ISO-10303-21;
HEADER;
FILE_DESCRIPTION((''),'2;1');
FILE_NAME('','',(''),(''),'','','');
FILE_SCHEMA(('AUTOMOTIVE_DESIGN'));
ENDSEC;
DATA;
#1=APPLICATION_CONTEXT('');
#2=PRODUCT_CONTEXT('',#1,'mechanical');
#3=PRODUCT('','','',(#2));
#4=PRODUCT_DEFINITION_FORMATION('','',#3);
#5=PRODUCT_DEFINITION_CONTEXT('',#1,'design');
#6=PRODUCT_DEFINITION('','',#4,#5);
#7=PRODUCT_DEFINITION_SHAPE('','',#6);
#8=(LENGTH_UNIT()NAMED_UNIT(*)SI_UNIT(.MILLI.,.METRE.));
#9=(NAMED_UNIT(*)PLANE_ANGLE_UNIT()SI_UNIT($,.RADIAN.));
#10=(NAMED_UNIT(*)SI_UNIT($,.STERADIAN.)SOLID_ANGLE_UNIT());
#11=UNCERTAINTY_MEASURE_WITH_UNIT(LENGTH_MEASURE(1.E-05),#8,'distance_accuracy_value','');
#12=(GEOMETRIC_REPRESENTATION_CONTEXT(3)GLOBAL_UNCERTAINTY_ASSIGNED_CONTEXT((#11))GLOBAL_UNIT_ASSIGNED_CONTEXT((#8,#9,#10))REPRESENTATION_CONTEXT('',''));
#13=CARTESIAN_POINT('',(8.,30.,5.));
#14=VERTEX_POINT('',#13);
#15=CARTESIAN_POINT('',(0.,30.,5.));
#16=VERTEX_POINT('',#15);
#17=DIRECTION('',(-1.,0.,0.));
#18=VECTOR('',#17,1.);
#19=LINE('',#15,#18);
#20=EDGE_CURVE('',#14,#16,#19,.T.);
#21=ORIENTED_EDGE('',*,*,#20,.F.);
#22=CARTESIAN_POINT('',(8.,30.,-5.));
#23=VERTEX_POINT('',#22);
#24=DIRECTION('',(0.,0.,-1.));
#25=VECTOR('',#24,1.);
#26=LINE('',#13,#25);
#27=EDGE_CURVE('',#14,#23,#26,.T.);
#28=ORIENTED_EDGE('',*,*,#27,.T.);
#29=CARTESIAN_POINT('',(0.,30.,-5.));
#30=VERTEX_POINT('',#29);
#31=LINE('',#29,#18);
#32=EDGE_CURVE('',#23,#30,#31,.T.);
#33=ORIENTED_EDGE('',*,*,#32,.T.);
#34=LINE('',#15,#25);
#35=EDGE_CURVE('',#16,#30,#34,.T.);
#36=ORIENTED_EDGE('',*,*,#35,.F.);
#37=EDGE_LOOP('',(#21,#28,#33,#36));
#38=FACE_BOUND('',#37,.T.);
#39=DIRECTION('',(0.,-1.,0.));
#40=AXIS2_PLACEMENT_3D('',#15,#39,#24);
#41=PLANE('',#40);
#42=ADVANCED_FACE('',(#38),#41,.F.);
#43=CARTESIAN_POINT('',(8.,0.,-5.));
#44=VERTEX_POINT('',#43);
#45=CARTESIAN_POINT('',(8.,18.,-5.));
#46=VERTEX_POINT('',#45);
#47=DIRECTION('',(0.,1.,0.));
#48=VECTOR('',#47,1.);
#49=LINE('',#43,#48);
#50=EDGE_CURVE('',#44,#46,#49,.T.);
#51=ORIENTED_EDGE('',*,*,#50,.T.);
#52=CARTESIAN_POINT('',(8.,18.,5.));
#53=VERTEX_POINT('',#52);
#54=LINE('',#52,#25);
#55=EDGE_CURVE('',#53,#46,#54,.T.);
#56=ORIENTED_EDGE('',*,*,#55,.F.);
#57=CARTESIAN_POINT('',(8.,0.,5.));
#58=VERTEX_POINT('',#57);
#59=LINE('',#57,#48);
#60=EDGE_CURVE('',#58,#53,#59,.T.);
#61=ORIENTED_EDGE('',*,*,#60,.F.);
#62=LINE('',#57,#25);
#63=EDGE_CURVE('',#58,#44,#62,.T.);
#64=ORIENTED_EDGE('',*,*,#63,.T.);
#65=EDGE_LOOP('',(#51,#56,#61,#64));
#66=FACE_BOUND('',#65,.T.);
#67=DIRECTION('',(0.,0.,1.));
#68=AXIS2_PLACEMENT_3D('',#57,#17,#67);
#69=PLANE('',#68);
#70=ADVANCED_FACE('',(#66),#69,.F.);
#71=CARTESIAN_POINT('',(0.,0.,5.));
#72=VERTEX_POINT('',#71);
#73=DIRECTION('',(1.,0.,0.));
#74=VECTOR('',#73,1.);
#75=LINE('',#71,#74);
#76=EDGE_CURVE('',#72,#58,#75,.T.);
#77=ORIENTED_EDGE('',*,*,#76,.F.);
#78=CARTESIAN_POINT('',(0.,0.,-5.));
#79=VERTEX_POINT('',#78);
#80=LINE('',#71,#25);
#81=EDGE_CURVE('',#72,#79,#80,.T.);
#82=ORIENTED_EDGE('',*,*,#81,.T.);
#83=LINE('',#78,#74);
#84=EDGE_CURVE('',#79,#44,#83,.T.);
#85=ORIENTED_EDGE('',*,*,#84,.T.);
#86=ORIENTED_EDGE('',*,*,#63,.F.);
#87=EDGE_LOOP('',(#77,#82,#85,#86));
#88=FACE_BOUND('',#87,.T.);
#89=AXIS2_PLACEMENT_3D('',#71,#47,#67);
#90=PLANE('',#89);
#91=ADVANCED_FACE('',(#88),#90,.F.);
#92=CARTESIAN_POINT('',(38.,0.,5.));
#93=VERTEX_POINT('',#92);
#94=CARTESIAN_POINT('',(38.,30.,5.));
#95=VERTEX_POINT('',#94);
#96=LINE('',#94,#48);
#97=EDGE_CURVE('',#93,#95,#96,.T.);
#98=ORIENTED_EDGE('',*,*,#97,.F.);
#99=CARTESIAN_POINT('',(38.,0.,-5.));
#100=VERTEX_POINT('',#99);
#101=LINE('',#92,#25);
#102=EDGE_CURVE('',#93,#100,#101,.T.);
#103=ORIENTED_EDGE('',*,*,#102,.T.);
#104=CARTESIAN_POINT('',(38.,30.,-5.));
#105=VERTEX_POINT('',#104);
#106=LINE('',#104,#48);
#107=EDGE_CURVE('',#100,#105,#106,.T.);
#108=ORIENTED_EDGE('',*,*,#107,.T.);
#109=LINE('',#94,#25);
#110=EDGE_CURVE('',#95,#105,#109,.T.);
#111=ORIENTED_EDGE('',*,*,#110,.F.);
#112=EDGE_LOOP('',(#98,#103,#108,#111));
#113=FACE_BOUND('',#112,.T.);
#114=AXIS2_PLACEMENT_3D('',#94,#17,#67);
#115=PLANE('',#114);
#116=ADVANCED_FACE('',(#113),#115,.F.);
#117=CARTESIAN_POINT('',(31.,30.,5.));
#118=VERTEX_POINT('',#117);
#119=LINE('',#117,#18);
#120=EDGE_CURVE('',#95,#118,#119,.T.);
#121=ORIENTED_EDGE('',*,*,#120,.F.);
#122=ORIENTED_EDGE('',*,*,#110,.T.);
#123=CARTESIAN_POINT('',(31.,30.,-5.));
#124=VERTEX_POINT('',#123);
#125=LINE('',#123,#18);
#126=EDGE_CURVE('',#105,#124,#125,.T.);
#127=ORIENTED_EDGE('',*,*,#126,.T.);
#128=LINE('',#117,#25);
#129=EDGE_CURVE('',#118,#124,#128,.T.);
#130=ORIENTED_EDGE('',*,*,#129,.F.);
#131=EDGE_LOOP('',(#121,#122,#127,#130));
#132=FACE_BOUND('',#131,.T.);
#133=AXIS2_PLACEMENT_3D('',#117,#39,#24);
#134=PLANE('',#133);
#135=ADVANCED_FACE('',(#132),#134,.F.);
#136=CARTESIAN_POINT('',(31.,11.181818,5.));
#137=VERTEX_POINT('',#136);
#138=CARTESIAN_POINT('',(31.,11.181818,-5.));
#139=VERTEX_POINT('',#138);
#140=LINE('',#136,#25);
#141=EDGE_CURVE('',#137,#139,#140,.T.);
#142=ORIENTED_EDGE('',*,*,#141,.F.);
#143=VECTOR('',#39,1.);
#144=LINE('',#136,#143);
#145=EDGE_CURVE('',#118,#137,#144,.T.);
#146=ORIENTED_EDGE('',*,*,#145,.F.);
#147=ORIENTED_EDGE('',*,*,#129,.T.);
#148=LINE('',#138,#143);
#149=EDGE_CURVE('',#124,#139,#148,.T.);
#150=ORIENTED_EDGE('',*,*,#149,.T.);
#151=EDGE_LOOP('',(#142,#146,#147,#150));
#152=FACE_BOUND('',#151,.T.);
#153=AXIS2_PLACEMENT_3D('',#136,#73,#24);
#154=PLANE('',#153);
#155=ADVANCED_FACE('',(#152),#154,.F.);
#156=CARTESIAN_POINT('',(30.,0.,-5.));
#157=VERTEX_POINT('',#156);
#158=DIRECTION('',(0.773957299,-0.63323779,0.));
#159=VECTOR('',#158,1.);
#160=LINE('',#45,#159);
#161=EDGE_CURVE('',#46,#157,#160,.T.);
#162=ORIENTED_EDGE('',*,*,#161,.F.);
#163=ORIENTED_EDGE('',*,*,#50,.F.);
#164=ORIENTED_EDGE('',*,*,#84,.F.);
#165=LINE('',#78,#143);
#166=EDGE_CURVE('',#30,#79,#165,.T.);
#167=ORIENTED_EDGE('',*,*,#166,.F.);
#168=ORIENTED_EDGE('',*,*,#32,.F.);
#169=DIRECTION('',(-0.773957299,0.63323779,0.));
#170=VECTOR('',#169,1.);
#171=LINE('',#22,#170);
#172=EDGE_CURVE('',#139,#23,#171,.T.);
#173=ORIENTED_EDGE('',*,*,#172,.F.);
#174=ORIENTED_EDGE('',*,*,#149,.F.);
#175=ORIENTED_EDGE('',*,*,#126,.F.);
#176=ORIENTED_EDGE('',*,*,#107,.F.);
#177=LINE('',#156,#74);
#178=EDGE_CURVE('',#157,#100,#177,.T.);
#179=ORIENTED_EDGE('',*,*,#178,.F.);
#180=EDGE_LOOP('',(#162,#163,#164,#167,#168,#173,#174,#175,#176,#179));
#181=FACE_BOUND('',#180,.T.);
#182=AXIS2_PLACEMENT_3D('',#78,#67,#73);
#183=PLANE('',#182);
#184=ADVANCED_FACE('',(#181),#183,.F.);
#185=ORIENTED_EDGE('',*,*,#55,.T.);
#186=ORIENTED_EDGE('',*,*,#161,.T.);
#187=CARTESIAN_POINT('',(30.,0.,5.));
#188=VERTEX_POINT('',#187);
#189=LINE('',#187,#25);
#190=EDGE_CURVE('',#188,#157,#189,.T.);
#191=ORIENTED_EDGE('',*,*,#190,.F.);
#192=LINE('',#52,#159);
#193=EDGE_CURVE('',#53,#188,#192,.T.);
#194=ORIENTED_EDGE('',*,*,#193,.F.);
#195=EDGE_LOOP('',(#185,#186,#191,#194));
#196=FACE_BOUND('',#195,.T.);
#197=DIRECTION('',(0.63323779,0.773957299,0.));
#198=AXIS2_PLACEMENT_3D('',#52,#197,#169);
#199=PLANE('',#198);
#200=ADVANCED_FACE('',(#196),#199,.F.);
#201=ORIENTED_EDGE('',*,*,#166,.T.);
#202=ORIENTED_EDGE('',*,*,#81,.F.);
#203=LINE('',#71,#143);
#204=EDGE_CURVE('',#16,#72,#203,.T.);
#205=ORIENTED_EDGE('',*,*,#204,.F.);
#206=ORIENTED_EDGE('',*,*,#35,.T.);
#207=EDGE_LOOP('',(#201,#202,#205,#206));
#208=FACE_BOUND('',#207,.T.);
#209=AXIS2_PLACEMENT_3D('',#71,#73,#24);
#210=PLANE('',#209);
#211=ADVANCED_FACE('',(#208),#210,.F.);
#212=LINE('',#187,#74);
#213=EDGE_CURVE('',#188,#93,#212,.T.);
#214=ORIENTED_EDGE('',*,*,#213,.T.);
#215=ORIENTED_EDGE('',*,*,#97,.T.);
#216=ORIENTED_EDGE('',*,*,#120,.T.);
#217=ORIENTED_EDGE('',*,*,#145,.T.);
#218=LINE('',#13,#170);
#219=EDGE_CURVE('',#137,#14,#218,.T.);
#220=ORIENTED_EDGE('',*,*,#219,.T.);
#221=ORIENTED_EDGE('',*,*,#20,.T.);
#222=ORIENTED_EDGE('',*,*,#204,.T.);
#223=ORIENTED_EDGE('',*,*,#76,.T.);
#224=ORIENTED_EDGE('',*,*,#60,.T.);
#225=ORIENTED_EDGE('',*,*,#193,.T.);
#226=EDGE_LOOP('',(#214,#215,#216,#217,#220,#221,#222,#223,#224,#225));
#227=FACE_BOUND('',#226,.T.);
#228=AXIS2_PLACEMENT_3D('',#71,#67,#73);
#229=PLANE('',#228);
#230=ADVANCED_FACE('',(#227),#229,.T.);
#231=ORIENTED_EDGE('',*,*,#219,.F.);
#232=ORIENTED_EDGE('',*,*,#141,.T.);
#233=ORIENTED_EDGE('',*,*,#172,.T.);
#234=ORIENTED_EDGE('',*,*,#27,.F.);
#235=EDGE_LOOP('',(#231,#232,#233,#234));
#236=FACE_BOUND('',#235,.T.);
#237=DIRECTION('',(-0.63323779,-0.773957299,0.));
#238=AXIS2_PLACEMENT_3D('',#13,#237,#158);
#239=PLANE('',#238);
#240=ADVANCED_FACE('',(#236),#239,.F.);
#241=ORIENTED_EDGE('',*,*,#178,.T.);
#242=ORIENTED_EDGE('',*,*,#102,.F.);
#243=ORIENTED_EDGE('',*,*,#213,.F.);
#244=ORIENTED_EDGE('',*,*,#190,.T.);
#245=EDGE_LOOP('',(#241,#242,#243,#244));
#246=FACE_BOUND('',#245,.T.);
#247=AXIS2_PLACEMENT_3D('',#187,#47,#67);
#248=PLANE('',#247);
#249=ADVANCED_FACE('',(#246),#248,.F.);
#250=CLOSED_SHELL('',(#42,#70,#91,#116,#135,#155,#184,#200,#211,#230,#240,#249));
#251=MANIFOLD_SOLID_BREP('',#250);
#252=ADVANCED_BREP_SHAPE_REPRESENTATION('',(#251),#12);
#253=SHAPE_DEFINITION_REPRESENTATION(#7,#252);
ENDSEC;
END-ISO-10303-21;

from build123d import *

# Parameters (mm, degrees)
BOSS_EXTRUDE1_DEPTH = 5


with BuildPart() as part:
    # Sketch1 → Boss-Extrude1 (new, symmetric)
    with BuildSketch(Plane.XY):
        Polygon((0, 0), (0, 30), (8, 30), (31, 11.181818182), (31, 30), (38, 30), (38, 0), (30, 0), (8, 18), (8, 0), align=None)
    extrude(amount=BOSS_EXTRUDE1_DEPTH, both=True)


solid = part.part
